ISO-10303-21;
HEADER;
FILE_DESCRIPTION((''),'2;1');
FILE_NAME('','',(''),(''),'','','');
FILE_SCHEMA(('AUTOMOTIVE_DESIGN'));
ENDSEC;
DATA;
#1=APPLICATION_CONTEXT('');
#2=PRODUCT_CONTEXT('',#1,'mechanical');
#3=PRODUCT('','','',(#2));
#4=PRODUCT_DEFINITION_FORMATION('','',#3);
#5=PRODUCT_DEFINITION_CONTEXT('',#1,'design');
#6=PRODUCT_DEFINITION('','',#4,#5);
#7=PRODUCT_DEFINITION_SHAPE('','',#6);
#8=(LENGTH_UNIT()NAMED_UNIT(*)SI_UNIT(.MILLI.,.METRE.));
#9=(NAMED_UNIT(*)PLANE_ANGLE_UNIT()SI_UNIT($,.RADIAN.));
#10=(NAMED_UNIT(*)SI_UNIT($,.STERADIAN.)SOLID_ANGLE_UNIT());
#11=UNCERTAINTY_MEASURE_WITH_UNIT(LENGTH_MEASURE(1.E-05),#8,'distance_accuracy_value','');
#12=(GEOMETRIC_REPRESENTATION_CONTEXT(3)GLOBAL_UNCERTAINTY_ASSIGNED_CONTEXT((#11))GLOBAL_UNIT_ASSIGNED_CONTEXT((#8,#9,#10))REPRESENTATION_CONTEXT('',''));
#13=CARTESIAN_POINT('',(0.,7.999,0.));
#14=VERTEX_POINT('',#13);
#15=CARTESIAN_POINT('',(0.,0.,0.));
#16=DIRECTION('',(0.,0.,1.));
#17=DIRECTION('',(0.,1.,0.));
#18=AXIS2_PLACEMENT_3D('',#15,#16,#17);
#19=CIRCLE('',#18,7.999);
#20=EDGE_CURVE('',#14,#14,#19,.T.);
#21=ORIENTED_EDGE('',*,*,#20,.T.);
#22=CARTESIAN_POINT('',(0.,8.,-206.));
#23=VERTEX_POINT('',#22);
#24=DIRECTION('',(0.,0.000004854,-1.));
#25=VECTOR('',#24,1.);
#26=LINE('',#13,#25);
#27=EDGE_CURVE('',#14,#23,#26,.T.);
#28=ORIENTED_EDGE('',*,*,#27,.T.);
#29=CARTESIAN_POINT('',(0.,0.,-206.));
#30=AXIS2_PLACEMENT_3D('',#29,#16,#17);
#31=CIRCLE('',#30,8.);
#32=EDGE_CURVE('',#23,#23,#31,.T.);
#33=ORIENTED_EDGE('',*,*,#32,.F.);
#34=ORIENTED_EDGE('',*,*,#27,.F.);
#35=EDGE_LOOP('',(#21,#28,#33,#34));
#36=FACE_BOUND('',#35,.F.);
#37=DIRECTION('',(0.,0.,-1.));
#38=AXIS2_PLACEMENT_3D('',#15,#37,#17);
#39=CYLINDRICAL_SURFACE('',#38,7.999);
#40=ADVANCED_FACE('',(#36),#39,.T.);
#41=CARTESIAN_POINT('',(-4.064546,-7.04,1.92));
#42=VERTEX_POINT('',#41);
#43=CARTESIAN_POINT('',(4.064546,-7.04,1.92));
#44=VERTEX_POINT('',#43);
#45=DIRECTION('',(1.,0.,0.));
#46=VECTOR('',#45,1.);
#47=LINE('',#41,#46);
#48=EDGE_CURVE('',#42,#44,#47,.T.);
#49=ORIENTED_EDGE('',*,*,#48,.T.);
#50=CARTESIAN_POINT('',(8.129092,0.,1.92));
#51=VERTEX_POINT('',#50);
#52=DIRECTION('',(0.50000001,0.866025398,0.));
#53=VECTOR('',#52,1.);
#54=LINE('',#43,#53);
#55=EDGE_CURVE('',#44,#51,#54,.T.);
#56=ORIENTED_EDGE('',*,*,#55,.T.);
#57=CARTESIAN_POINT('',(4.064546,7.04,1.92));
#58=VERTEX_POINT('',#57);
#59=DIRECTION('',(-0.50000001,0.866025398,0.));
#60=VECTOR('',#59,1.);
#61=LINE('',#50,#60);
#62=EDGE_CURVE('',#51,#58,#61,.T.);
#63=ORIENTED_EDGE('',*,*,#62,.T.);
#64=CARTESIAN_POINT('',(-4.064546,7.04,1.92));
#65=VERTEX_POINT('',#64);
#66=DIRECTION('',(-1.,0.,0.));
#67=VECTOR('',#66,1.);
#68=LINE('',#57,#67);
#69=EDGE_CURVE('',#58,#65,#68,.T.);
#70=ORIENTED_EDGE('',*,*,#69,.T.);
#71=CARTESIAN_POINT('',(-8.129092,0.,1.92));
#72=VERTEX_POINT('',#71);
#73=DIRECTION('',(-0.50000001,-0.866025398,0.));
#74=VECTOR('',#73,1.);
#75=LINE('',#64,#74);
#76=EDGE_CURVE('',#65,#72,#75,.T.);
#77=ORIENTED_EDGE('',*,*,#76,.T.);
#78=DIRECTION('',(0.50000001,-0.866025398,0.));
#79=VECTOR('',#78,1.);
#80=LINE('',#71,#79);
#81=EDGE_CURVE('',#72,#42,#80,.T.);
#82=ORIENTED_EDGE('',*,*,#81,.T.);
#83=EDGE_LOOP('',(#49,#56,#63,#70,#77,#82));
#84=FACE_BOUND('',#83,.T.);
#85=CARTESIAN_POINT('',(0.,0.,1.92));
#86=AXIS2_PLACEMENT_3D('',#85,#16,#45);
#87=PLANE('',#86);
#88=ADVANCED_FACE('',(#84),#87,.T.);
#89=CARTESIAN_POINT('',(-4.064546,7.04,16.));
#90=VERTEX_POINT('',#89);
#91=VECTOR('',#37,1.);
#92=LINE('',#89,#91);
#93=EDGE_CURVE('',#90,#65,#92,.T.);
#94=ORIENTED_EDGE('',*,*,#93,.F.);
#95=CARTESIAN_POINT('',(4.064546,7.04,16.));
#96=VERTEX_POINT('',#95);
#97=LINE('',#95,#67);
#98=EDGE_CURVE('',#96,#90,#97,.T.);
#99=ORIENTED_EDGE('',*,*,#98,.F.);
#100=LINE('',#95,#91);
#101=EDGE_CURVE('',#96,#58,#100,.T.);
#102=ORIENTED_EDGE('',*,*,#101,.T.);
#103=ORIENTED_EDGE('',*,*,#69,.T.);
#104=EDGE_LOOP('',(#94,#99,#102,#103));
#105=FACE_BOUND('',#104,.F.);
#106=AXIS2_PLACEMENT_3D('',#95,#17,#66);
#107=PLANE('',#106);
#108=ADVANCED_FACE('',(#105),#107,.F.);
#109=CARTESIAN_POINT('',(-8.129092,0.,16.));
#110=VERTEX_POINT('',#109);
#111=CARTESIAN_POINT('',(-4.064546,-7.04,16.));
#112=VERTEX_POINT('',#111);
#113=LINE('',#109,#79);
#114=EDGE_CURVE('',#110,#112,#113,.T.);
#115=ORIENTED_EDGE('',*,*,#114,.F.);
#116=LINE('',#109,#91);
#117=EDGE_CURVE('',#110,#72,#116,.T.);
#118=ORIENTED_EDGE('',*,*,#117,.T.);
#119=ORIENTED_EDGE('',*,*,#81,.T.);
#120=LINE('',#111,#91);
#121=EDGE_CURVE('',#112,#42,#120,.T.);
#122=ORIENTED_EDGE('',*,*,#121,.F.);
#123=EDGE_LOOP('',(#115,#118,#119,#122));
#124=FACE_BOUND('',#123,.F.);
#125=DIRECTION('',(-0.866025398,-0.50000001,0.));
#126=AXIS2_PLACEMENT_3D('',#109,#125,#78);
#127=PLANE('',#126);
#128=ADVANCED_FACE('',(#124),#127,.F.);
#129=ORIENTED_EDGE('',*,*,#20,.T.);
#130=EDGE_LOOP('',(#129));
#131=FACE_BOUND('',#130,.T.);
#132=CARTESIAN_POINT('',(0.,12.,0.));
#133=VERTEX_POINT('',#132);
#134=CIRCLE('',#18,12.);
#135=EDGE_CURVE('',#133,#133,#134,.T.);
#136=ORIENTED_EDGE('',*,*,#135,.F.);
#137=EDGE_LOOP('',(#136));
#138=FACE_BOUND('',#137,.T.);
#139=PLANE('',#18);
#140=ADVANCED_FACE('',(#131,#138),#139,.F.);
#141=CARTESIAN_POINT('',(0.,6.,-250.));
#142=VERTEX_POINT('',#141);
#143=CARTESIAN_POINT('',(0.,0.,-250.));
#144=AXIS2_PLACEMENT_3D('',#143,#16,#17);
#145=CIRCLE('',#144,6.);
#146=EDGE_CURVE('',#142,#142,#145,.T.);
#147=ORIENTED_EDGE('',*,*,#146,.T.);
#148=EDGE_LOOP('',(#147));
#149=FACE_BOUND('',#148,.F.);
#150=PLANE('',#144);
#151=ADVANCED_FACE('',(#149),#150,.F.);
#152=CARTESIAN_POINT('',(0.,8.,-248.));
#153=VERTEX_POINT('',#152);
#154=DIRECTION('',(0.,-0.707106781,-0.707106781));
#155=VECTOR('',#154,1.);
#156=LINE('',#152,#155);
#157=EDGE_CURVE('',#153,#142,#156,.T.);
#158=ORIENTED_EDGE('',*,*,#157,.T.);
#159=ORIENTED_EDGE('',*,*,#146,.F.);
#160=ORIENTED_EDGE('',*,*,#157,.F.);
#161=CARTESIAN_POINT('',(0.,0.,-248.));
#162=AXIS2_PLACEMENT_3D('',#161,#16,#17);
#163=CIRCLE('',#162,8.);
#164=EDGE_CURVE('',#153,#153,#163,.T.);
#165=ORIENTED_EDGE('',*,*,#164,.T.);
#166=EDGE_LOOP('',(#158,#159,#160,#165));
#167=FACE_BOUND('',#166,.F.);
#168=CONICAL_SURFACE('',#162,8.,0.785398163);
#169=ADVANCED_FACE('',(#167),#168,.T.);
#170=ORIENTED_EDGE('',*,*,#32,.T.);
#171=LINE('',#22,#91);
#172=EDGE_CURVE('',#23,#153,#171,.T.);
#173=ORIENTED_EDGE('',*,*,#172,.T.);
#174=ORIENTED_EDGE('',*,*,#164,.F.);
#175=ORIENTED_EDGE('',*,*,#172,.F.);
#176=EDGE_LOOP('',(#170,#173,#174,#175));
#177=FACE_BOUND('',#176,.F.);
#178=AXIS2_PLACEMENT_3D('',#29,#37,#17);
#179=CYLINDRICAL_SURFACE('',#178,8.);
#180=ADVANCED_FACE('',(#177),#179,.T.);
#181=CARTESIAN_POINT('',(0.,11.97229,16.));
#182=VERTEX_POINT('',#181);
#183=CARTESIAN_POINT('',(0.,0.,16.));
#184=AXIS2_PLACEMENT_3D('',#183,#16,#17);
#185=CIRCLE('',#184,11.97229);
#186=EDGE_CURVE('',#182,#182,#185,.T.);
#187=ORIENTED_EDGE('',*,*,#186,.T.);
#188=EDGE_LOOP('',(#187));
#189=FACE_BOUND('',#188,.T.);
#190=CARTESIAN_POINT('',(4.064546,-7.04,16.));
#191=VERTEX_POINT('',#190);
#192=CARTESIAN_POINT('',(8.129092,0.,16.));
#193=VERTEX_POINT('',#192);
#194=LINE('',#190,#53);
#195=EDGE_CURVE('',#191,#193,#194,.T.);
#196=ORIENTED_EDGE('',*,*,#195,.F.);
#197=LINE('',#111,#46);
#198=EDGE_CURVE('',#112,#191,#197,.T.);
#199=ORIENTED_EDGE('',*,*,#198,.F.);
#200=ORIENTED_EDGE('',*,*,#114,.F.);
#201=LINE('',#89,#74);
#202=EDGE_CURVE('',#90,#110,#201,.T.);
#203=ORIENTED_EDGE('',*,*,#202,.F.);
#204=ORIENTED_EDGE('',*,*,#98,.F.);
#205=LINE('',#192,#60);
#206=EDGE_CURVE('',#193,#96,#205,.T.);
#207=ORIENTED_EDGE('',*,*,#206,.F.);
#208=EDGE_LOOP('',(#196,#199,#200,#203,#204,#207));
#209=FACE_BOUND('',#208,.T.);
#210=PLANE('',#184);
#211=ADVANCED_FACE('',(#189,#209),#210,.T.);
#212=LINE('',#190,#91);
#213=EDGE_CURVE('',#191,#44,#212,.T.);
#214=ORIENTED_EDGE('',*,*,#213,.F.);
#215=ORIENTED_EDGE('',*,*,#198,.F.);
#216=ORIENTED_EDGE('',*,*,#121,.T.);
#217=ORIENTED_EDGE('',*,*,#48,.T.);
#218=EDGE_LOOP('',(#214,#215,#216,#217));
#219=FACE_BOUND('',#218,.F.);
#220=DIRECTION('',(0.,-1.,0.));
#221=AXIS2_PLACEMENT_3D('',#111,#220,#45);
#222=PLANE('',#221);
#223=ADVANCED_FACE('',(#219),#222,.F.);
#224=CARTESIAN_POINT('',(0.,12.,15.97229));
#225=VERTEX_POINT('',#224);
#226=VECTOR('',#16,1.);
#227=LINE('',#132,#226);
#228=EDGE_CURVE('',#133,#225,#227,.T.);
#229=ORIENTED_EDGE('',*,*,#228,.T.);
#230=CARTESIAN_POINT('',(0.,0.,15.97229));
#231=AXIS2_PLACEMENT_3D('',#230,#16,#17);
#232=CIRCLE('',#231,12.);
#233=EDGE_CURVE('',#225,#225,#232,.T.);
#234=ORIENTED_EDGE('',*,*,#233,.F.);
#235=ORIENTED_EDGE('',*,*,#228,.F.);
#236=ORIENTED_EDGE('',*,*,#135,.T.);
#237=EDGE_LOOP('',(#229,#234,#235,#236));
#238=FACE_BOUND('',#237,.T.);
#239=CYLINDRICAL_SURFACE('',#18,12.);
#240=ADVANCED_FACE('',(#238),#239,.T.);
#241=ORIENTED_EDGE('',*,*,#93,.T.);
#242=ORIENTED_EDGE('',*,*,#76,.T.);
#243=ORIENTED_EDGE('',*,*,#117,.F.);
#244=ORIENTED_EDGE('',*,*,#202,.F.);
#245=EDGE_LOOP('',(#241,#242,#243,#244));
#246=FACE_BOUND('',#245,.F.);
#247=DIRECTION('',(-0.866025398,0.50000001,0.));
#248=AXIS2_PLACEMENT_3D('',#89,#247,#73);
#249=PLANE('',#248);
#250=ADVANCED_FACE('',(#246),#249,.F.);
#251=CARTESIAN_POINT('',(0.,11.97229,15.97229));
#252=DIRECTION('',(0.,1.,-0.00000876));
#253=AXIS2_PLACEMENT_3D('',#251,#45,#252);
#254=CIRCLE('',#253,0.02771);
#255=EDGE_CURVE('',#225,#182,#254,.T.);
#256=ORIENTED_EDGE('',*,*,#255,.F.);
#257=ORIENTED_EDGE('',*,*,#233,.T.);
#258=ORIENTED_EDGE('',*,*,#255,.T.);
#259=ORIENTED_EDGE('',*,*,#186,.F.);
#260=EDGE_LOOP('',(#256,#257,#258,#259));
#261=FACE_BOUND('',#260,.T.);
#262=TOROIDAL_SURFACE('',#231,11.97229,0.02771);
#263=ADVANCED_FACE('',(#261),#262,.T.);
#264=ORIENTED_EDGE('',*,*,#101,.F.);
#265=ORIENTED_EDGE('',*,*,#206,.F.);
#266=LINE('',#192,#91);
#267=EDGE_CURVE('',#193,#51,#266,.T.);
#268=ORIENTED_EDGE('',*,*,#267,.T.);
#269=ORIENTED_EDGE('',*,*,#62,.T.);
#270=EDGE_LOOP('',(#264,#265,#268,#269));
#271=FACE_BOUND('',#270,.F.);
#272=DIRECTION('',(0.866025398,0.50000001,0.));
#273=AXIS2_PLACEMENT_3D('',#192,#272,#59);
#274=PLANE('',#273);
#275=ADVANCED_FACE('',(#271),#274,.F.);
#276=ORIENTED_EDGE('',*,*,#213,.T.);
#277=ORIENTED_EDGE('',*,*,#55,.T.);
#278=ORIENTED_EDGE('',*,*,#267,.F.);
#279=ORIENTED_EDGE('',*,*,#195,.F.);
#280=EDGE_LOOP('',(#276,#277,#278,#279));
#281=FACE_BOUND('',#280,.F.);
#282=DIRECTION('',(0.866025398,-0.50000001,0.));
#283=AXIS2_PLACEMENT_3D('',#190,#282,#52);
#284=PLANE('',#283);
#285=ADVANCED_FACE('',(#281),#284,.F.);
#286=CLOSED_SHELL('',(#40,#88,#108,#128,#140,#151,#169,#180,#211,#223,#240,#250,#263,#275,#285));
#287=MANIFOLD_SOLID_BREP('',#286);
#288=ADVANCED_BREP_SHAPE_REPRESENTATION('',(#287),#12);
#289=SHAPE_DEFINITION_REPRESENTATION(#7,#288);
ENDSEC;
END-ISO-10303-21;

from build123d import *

# Parameters (mm, degrees)
POCKET_DEPTH = 14.08


with BuildPart() as part:
    # Sketch → Revolve (revolve)
    with BuildSketch(Plane.YZ):
        with BuildLine():
            Line((7.999, 0), (12, 0))
            Line((12, 0), (12, 15.97229))
            ThreePointArc((12, 15.97229), (11.991884, 15.991884), (11.97229, 16))
            Line((11.97229, 16), (0, 16))
            Line((0, -250), (0, 16))
            Line((6, -250), (0, -250))
            Line((8, -248), (6, -250))
            Line((8, -206), (8, -248))
            Line((7.999, 0), (8, -206))
        make_face()
    revolve(axis=Axis((0, 0, 0), (0, 0, 1)))

    # Sketch001 → Pocket (cut)
    with BuildSketch(Plane.XY.offset(16)):
        Polygon((8.129092, 0), (4.064546, 7.04), (-4.064546, 7.04), (-8.129092, 0), (-4.064546, -7.04), (4.064546, -7.04), align=None)
    extrude(amount=-POCKET_DEPTH, mode=Mode.SUBTRACT)


solid = part.part
